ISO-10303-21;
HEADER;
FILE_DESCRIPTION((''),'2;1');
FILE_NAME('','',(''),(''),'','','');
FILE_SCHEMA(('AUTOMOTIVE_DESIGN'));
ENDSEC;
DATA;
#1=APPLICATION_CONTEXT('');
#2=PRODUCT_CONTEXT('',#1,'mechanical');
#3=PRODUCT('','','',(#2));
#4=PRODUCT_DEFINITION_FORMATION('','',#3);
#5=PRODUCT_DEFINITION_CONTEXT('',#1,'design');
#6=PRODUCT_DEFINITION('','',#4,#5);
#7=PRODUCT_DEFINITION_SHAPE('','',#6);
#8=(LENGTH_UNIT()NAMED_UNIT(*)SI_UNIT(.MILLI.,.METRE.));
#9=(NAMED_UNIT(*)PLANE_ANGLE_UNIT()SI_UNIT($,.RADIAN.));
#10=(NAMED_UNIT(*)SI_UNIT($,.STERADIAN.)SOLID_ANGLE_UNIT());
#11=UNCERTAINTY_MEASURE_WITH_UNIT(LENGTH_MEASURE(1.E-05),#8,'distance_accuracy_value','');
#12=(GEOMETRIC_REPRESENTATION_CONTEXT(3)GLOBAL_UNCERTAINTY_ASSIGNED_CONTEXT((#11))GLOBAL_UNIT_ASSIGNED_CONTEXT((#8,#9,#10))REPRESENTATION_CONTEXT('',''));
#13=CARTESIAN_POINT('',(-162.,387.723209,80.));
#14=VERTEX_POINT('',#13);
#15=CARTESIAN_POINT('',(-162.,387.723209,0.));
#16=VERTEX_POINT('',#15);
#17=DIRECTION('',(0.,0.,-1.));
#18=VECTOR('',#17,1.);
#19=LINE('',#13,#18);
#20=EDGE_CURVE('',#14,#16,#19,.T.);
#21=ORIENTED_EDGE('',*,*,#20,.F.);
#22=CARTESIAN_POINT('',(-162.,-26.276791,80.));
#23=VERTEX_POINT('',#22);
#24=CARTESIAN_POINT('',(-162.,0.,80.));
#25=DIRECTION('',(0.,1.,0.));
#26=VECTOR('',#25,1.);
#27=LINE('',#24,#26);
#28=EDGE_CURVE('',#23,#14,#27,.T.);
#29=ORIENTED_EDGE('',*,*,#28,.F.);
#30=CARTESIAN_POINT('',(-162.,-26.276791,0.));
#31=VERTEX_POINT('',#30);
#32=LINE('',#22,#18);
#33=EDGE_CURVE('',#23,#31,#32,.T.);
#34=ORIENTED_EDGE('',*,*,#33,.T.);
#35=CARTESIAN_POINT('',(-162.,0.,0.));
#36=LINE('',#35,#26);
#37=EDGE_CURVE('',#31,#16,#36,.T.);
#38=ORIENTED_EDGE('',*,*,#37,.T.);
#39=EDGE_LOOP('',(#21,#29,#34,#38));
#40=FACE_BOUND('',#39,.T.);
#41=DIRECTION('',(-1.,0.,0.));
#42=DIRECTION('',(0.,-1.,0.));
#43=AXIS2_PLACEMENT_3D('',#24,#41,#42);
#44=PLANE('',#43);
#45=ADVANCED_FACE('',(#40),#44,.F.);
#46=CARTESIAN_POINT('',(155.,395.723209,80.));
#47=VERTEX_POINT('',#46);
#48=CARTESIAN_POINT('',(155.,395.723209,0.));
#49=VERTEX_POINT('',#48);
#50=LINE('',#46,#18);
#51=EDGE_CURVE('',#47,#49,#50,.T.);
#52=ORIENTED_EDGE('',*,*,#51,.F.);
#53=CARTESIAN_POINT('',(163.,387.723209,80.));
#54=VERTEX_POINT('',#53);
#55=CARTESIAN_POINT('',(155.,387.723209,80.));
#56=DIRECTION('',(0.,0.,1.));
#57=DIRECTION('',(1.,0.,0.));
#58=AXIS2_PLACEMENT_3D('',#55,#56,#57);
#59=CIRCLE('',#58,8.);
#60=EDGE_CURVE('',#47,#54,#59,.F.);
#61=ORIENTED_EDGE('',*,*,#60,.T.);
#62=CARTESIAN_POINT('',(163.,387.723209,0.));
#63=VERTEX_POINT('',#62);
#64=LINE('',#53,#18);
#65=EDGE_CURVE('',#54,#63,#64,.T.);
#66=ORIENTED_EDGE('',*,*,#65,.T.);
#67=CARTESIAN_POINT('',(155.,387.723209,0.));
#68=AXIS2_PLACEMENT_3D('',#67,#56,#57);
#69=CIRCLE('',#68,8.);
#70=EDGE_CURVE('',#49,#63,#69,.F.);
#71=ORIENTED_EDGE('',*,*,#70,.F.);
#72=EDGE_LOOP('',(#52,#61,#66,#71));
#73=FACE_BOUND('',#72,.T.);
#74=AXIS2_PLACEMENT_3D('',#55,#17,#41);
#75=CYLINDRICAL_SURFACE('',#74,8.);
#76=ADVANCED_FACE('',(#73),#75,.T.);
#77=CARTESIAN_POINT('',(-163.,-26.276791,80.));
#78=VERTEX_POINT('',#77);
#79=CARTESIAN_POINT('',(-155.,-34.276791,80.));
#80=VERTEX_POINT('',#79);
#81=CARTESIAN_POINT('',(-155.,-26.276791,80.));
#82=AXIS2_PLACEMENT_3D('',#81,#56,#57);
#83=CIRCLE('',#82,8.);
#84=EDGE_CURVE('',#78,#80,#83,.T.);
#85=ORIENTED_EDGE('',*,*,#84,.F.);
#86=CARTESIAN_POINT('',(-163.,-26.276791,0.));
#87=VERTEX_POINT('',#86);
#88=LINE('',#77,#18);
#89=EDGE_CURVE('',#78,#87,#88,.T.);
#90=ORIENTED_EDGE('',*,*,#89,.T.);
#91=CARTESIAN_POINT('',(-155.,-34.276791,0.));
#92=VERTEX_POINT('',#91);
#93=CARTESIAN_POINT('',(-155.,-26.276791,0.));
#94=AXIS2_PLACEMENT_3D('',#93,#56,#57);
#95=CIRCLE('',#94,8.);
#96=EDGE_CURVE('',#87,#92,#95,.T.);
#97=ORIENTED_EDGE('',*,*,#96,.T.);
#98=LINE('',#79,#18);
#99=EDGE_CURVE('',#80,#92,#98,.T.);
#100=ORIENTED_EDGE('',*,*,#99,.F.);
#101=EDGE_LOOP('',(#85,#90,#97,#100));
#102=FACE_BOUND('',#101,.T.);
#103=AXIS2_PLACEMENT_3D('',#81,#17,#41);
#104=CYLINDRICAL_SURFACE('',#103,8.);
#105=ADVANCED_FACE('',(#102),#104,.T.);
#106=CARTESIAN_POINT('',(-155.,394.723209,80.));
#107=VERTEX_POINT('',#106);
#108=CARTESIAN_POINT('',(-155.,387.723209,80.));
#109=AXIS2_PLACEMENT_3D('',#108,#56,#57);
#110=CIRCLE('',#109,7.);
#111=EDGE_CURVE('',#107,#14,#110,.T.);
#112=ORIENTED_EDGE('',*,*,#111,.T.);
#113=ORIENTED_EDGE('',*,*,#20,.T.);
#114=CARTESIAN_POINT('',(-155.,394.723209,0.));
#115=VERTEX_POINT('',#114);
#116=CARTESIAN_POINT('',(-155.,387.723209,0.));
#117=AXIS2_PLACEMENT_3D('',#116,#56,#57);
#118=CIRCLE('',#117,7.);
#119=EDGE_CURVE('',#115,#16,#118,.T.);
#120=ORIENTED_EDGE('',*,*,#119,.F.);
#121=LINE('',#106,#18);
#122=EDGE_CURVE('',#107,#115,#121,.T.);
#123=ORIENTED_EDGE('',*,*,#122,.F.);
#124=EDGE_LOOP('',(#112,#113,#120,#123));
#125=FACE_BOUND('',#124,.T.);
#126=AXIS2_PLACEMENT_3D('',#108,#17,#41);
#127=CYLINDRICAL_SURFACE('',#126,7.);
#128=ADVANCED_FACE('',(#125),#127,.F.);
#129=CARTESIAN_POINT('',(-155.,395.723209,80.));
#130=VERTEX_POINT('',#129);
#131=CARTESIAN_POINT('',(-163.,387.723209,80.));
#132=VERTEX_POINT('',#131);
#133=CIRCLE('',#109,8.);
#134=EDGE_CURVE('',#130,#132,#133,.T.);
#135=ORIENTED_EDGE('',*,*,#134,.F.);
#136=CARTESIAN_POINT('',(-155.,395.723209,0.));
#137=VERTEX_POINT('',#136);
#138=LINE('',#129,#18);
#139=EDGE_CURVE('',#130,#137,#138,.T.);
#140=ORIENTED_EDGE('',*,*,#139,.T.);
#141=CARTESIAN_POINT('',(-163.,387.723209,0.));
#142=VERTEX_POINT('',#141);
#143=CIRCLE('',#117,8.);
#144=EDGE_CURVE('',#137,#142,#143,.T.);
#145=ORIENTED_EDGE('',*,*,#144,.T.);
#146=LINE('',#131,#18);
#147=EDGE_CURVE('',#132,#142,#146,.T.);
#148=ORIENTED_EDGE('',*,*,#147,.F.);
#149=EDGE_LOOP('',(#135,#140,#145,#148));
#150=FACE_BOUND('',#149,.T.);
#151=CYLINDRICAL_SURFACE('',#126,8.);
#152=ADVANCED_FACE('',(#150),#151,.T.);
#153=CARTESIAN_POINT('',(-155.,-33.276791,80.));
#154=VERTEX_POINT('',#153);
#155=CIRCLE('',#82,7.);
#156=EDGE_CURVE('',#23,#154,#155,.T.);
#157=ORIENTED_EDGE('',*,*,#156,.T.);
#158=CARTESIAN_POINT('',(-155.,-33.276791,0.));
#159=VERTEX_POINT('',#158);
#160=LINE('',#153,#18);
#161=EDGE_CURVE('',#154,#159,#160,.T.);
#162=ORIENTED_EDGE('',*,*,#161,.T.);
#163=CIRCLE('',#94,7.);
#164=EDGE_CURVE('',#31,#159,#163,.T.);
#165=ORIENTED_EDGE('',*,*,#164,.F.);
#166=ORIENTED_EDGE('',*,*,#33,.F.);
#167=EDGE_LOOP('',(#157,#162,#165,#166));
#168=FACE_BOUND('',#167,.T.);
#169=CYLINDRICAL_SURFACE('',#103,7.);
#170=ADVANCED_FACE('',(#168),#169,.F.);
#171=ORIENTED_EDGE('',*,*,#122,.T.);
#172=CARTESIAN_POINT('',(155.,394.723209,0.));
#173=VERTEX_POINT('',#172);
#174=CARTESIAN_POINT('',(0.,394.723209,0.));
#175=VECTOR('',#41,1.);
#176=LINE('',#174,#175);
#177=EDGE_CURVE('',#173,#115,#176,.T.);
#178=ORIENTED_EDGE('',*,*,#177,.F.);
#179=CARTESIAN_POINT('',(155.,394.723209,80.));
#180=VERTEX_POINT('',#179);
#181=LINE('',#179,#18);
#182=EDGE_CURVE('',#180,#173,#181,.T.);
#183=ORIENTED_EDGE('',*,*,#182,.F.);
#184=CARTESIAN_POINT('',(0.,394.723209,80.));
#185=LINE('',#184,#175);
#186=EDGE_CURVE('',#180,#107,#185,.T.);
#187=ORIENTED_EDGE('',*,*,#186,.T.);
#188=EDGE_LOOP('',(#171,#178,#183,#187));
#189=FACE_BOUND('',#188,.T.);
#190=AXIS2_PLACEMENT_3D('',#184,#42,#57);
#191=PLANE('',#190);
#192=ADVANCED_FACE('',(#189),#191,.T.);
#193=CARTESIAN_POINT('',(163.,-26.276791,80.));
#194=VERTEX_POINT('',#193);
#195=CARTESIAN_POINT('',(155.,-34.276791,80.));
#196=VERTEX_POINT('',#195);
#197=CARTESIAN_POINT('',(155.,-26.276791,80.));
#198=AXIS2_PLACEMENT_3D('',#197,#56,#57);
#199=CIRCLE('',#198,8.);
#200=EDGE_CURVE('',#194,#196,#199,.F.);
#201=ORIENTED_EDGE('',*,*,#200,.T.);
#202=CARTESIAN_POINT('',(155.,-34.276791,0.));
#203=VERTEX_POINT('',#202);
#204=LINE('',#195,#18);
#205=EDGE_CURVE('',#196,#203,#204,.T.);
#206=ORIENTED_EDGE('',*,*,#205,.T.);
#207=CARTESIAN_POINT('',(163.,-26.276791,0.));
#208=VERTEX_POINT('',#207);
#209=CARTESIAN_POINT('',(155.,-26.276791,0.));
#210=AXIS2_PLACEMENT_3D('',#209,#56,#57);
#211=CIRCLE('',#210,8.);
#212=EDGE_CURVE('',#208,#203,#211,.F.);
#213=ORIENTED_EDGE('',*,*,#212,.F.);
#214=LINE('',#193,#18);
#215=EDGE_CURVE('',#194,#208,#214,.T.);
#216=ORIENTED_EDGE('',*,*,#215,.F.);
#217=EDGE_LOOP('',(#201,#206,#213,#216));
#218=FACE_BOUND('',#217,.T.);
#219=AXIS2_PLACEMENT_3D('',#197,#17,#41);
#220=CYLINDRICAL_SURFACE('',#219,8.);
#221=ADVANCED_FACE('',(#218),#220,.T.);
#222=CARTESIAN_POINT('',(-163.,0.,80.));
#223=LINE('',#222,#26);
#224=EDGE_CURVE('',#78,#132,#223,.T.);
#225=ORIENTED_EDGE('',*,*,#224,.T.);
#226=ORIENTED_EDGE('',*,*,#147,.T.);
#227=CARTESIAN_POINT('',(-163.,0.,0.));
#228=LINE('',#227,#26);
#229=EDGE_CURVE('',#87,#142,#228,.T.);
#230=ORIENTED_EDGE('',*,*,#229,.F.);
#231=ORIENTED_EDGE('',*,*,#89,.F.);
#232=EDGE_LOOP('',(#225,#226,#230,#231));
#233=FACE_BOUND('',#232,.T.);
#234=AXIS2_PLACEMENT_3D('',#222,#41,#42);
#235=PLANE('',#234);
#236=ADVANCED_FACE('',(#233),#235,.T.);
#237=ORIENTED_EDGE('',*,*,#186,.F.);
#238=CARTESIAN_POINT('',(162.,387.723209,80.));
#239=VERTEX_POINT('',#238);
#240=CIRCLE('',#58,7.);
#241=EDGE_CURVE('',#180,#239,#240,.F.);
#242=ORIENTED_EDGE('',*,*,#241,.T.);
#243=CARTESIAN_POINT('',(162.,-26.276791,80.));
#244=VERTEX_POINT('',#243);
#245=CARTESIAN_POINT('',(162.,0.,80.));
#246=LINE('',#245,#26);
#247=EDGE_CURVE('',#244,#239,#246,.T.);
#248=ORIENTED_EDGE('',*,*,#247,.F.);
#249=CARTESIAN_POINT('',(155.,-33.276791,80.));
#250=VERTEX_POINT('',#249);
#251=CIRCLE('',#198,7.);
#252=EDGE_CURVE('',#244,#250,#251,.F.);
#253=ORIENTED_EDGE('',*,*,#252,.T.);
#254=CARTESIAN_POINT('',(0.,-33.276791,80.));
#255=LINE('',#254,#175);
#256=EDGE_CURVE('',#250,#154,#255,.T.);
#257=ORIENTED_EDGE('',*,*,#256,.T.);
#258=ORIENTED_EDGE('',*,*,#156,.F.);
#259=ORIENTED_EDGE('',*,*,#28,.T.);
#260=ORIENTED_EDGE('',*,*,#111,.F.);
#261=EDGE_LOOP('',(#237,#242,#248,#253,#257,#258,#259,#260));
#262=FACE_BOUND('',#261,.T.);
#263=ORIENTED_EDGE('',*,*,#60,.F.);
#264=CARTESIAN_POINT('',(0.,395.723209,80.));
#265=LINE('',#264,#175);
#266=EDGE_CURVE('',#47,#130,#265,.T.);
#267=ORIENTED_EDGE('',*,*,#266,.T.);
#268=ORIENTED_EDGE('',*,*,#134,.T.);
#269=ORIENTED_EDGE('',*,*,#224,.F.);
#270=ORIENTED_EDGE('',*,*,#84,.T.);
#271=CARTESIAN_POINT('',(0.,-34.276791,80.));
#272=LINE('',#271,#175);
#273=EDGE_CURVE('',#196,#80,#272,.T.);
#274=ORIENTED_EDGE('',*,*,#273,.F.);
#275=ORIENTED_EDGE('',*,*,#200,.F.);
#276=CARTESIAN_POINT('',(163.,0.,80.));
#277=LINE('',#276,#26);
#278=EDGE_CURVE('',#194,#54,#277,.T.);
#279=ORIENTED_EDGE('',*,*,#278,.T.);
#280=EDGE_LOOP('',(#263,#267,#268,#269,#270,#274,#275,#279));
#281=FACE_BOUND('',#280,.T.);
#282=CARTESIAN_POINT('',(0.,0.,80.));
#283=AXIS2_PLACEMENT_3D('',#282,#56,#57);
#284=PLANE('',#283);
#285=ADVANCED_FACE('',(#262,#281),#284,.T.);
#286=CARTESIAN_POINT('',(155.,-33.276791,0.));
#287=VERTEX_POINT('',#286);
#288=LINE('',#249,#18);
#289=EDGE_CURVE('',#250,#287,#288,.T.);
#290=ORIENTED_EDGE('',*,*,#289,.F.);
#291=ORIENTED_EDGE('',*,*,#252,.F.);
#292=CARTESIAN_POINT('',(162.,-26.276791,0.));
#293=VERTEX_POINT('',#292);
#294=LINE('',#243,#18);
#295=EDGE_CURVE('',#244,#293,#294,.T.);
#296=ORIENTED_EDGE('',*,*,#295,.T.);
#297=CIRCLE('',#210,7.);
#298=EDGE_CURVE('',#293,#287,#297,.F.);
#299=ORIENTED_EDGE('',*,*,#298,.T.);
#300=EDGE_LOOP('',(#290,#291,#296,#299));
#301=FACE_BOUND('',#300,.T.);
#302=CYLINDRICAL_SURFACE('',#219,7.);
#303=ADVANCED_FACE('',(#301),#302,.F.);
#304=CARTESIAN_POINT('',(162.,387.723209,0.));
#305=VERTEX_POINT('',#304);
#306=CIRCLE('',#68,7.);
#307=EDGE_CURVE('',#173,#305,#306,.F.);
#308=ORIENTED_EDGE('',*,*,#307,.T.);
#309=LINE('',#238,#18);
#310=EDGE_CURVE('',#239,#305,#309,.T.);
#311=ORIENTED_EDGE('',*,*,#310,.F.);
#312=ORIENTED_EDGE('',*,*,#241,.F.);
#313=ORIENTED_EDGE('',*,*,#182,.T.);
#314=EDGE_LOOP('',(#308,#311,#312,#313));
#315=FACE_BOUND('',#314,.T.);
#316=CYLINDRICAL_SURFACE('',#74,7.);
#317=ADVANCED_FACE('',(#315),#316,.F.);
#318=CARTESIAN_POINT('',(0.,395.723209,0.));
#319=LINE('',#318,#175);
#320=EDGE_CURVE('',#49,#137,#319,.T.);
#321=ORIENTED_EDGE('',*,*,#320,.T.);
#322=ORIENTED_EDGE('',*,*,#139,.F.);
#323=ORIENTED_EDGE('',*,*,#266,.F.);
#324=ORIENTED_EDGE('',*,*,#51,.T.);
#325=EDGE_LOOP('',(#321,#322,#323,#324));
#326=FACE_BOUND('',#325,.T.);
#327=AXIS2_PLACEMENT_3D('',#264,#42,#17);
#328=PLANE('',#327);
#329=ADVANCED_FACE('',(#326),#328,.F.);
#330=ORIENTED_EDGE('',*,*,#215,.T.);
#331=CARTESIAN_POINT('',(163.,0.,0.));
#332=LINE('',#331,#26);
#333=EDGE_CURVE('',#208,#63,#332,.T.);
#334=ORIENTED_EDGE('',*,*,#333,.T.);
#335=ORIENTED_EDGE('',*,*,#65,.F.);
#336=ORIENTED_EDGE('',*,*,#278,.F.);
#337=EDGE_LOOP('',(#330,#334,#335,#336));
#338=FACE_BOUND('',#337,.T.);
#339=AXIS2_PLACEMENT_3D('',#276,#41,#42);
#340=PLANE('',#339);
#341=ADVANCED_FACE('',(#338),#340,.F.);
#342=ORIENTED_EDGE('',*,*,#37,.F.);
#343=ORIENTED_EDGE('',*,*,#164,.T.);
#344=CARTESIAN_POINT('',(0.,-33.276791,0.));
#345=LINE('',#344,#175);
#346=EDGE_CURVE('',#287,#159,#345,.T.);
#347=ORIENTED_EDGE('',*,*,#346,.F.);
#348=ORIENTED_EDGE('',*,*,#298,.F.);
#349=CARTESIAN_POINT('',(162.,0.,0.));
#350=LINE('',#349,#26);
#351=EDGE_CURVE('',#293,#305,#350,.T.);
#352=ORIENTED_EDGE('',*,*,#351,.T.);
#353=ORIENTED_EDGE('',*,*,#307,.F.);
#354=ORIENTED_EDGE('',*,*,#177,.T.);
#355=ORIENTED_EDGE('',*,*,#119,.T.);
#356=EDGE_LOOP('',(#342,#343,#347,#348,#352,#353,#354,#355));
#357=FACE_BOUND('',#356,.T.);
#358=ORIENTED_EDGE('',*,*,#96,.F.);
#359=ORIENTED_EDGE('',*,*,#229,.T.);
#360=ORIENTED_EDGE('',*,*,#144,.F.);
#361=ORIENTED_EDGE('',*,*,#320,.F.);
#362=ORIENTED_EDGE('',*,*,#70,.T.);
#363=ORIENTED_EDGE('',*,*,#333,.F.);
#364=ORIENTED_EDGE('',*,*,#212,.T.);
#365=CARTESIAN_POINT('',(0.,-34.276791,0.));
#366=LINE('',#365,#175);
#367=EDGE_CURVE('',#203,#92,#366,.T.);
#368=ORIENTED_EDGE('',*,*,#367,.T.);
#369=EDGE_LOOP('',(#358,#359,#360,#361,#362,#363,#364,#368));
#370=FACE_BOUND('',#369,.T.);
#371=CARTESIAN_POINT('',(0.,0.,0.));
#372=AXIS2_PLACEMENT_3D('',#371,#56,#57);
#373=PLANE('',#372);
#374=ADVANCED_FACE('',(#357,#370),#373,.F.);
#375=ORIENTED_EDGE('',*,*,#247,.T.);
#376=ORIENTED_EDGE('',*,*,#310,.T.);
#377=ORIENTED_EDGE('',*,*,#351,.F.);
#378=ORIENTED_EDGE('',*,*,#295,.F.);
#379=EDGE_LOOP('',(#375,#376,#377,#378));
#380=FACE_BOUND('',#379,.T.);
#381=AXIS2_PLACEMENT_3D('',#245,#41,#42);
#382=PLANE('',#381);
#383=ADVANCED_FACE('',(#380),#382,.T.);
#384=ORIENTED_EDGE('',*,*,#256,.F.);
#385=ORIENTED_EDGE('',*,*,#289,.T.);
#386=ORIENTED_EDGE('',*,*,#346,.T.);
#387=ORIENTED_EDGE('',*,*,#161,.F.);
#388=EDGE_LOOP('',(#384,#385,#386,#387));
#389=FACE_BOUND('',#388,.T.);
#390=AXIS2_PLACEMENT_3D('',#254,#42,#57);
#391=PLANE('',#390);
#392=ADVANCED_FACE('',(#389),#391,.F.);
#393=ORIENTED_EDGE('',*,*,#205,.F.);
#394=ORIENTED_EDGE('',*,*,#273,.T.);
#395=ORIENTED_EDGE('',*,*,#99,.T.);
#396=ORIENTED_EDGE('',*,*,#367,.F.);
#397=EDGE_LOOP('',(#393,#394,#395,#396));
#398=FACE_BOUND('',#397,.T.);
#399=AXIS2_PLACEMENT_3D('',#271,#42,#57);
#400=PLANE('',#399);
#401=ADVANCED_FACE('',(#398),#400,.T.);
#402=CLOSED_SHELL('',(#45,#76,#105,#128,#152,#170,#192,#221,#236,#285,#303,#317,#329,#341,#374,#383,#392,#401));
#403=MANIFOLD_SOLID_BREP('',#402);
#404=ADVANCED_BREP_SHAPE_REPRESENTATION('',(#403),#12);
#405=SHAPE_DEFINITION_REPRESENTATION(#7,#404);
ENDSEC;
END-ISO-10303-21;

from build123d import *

# Parameters (mm, degrees)
BOSS_EXTRUDE1_DEPTH = 80


with BuildPart() as part:
    # Sketch1 → Boss-Extrude1 (new body)
    with BuildSketch(Plane.XY):
        with BuildLine():
            Line((155, -34.276790555), (-155, -34.276790555))
            ThreePointArc((-155, -34.276790555), (-160.656854249, -31.933644805), (-163, -26.276790555))
            Line((-163, -26.276790555), (-163, 387.723209445))
            ThreePointArc((-163, 387.723209445), (-160.656854249, 393.380063695), (-155, 395.723209445))
            Line((-155, 395.723209445), (155, 395.723209445))
            ThreePointArc((155, 395.723209445), (160.656854249, 393.380063695), (163, 387.723209445))
            Line((163, 387.723209445), (163, -26.276790555))
            ThreePointArc((163, -26.276790555), (160.656854249, -31.933644805), (155, -34.276790555))
        make_face()
        with BuildLine():
            Line((162, -26.276790555), (162, 387.723209445))
            ThreePointArc((162, 387.723209445), (159.949747468, 392.672956913), (155, 394.723209445))
            Line((155, 394.723209445), (-155, 394.723209445))
            ThreePointArc((-155, 394.723209445), (-159.949747468, 392.672956913), (-162, 387.723209445))
            Line((-162, 387.723209445), (-162, -26.276790555))
            ThreePointArc((-162, -26.276790555), (-159.949747468, -31.226538023), (-155, -33.276790555))
            Line((-155, -33.276790555), (155, -33.276790555))
            ThreePointArc((155, -33.276790555), (159.949747468, -31.226538023), (162, -26.276790555))
        make_face(mode=Mode.SUBTRACT)
    extrude(amount=BOSS_EXTRUDE1_DEPTH)


solid = part.part
